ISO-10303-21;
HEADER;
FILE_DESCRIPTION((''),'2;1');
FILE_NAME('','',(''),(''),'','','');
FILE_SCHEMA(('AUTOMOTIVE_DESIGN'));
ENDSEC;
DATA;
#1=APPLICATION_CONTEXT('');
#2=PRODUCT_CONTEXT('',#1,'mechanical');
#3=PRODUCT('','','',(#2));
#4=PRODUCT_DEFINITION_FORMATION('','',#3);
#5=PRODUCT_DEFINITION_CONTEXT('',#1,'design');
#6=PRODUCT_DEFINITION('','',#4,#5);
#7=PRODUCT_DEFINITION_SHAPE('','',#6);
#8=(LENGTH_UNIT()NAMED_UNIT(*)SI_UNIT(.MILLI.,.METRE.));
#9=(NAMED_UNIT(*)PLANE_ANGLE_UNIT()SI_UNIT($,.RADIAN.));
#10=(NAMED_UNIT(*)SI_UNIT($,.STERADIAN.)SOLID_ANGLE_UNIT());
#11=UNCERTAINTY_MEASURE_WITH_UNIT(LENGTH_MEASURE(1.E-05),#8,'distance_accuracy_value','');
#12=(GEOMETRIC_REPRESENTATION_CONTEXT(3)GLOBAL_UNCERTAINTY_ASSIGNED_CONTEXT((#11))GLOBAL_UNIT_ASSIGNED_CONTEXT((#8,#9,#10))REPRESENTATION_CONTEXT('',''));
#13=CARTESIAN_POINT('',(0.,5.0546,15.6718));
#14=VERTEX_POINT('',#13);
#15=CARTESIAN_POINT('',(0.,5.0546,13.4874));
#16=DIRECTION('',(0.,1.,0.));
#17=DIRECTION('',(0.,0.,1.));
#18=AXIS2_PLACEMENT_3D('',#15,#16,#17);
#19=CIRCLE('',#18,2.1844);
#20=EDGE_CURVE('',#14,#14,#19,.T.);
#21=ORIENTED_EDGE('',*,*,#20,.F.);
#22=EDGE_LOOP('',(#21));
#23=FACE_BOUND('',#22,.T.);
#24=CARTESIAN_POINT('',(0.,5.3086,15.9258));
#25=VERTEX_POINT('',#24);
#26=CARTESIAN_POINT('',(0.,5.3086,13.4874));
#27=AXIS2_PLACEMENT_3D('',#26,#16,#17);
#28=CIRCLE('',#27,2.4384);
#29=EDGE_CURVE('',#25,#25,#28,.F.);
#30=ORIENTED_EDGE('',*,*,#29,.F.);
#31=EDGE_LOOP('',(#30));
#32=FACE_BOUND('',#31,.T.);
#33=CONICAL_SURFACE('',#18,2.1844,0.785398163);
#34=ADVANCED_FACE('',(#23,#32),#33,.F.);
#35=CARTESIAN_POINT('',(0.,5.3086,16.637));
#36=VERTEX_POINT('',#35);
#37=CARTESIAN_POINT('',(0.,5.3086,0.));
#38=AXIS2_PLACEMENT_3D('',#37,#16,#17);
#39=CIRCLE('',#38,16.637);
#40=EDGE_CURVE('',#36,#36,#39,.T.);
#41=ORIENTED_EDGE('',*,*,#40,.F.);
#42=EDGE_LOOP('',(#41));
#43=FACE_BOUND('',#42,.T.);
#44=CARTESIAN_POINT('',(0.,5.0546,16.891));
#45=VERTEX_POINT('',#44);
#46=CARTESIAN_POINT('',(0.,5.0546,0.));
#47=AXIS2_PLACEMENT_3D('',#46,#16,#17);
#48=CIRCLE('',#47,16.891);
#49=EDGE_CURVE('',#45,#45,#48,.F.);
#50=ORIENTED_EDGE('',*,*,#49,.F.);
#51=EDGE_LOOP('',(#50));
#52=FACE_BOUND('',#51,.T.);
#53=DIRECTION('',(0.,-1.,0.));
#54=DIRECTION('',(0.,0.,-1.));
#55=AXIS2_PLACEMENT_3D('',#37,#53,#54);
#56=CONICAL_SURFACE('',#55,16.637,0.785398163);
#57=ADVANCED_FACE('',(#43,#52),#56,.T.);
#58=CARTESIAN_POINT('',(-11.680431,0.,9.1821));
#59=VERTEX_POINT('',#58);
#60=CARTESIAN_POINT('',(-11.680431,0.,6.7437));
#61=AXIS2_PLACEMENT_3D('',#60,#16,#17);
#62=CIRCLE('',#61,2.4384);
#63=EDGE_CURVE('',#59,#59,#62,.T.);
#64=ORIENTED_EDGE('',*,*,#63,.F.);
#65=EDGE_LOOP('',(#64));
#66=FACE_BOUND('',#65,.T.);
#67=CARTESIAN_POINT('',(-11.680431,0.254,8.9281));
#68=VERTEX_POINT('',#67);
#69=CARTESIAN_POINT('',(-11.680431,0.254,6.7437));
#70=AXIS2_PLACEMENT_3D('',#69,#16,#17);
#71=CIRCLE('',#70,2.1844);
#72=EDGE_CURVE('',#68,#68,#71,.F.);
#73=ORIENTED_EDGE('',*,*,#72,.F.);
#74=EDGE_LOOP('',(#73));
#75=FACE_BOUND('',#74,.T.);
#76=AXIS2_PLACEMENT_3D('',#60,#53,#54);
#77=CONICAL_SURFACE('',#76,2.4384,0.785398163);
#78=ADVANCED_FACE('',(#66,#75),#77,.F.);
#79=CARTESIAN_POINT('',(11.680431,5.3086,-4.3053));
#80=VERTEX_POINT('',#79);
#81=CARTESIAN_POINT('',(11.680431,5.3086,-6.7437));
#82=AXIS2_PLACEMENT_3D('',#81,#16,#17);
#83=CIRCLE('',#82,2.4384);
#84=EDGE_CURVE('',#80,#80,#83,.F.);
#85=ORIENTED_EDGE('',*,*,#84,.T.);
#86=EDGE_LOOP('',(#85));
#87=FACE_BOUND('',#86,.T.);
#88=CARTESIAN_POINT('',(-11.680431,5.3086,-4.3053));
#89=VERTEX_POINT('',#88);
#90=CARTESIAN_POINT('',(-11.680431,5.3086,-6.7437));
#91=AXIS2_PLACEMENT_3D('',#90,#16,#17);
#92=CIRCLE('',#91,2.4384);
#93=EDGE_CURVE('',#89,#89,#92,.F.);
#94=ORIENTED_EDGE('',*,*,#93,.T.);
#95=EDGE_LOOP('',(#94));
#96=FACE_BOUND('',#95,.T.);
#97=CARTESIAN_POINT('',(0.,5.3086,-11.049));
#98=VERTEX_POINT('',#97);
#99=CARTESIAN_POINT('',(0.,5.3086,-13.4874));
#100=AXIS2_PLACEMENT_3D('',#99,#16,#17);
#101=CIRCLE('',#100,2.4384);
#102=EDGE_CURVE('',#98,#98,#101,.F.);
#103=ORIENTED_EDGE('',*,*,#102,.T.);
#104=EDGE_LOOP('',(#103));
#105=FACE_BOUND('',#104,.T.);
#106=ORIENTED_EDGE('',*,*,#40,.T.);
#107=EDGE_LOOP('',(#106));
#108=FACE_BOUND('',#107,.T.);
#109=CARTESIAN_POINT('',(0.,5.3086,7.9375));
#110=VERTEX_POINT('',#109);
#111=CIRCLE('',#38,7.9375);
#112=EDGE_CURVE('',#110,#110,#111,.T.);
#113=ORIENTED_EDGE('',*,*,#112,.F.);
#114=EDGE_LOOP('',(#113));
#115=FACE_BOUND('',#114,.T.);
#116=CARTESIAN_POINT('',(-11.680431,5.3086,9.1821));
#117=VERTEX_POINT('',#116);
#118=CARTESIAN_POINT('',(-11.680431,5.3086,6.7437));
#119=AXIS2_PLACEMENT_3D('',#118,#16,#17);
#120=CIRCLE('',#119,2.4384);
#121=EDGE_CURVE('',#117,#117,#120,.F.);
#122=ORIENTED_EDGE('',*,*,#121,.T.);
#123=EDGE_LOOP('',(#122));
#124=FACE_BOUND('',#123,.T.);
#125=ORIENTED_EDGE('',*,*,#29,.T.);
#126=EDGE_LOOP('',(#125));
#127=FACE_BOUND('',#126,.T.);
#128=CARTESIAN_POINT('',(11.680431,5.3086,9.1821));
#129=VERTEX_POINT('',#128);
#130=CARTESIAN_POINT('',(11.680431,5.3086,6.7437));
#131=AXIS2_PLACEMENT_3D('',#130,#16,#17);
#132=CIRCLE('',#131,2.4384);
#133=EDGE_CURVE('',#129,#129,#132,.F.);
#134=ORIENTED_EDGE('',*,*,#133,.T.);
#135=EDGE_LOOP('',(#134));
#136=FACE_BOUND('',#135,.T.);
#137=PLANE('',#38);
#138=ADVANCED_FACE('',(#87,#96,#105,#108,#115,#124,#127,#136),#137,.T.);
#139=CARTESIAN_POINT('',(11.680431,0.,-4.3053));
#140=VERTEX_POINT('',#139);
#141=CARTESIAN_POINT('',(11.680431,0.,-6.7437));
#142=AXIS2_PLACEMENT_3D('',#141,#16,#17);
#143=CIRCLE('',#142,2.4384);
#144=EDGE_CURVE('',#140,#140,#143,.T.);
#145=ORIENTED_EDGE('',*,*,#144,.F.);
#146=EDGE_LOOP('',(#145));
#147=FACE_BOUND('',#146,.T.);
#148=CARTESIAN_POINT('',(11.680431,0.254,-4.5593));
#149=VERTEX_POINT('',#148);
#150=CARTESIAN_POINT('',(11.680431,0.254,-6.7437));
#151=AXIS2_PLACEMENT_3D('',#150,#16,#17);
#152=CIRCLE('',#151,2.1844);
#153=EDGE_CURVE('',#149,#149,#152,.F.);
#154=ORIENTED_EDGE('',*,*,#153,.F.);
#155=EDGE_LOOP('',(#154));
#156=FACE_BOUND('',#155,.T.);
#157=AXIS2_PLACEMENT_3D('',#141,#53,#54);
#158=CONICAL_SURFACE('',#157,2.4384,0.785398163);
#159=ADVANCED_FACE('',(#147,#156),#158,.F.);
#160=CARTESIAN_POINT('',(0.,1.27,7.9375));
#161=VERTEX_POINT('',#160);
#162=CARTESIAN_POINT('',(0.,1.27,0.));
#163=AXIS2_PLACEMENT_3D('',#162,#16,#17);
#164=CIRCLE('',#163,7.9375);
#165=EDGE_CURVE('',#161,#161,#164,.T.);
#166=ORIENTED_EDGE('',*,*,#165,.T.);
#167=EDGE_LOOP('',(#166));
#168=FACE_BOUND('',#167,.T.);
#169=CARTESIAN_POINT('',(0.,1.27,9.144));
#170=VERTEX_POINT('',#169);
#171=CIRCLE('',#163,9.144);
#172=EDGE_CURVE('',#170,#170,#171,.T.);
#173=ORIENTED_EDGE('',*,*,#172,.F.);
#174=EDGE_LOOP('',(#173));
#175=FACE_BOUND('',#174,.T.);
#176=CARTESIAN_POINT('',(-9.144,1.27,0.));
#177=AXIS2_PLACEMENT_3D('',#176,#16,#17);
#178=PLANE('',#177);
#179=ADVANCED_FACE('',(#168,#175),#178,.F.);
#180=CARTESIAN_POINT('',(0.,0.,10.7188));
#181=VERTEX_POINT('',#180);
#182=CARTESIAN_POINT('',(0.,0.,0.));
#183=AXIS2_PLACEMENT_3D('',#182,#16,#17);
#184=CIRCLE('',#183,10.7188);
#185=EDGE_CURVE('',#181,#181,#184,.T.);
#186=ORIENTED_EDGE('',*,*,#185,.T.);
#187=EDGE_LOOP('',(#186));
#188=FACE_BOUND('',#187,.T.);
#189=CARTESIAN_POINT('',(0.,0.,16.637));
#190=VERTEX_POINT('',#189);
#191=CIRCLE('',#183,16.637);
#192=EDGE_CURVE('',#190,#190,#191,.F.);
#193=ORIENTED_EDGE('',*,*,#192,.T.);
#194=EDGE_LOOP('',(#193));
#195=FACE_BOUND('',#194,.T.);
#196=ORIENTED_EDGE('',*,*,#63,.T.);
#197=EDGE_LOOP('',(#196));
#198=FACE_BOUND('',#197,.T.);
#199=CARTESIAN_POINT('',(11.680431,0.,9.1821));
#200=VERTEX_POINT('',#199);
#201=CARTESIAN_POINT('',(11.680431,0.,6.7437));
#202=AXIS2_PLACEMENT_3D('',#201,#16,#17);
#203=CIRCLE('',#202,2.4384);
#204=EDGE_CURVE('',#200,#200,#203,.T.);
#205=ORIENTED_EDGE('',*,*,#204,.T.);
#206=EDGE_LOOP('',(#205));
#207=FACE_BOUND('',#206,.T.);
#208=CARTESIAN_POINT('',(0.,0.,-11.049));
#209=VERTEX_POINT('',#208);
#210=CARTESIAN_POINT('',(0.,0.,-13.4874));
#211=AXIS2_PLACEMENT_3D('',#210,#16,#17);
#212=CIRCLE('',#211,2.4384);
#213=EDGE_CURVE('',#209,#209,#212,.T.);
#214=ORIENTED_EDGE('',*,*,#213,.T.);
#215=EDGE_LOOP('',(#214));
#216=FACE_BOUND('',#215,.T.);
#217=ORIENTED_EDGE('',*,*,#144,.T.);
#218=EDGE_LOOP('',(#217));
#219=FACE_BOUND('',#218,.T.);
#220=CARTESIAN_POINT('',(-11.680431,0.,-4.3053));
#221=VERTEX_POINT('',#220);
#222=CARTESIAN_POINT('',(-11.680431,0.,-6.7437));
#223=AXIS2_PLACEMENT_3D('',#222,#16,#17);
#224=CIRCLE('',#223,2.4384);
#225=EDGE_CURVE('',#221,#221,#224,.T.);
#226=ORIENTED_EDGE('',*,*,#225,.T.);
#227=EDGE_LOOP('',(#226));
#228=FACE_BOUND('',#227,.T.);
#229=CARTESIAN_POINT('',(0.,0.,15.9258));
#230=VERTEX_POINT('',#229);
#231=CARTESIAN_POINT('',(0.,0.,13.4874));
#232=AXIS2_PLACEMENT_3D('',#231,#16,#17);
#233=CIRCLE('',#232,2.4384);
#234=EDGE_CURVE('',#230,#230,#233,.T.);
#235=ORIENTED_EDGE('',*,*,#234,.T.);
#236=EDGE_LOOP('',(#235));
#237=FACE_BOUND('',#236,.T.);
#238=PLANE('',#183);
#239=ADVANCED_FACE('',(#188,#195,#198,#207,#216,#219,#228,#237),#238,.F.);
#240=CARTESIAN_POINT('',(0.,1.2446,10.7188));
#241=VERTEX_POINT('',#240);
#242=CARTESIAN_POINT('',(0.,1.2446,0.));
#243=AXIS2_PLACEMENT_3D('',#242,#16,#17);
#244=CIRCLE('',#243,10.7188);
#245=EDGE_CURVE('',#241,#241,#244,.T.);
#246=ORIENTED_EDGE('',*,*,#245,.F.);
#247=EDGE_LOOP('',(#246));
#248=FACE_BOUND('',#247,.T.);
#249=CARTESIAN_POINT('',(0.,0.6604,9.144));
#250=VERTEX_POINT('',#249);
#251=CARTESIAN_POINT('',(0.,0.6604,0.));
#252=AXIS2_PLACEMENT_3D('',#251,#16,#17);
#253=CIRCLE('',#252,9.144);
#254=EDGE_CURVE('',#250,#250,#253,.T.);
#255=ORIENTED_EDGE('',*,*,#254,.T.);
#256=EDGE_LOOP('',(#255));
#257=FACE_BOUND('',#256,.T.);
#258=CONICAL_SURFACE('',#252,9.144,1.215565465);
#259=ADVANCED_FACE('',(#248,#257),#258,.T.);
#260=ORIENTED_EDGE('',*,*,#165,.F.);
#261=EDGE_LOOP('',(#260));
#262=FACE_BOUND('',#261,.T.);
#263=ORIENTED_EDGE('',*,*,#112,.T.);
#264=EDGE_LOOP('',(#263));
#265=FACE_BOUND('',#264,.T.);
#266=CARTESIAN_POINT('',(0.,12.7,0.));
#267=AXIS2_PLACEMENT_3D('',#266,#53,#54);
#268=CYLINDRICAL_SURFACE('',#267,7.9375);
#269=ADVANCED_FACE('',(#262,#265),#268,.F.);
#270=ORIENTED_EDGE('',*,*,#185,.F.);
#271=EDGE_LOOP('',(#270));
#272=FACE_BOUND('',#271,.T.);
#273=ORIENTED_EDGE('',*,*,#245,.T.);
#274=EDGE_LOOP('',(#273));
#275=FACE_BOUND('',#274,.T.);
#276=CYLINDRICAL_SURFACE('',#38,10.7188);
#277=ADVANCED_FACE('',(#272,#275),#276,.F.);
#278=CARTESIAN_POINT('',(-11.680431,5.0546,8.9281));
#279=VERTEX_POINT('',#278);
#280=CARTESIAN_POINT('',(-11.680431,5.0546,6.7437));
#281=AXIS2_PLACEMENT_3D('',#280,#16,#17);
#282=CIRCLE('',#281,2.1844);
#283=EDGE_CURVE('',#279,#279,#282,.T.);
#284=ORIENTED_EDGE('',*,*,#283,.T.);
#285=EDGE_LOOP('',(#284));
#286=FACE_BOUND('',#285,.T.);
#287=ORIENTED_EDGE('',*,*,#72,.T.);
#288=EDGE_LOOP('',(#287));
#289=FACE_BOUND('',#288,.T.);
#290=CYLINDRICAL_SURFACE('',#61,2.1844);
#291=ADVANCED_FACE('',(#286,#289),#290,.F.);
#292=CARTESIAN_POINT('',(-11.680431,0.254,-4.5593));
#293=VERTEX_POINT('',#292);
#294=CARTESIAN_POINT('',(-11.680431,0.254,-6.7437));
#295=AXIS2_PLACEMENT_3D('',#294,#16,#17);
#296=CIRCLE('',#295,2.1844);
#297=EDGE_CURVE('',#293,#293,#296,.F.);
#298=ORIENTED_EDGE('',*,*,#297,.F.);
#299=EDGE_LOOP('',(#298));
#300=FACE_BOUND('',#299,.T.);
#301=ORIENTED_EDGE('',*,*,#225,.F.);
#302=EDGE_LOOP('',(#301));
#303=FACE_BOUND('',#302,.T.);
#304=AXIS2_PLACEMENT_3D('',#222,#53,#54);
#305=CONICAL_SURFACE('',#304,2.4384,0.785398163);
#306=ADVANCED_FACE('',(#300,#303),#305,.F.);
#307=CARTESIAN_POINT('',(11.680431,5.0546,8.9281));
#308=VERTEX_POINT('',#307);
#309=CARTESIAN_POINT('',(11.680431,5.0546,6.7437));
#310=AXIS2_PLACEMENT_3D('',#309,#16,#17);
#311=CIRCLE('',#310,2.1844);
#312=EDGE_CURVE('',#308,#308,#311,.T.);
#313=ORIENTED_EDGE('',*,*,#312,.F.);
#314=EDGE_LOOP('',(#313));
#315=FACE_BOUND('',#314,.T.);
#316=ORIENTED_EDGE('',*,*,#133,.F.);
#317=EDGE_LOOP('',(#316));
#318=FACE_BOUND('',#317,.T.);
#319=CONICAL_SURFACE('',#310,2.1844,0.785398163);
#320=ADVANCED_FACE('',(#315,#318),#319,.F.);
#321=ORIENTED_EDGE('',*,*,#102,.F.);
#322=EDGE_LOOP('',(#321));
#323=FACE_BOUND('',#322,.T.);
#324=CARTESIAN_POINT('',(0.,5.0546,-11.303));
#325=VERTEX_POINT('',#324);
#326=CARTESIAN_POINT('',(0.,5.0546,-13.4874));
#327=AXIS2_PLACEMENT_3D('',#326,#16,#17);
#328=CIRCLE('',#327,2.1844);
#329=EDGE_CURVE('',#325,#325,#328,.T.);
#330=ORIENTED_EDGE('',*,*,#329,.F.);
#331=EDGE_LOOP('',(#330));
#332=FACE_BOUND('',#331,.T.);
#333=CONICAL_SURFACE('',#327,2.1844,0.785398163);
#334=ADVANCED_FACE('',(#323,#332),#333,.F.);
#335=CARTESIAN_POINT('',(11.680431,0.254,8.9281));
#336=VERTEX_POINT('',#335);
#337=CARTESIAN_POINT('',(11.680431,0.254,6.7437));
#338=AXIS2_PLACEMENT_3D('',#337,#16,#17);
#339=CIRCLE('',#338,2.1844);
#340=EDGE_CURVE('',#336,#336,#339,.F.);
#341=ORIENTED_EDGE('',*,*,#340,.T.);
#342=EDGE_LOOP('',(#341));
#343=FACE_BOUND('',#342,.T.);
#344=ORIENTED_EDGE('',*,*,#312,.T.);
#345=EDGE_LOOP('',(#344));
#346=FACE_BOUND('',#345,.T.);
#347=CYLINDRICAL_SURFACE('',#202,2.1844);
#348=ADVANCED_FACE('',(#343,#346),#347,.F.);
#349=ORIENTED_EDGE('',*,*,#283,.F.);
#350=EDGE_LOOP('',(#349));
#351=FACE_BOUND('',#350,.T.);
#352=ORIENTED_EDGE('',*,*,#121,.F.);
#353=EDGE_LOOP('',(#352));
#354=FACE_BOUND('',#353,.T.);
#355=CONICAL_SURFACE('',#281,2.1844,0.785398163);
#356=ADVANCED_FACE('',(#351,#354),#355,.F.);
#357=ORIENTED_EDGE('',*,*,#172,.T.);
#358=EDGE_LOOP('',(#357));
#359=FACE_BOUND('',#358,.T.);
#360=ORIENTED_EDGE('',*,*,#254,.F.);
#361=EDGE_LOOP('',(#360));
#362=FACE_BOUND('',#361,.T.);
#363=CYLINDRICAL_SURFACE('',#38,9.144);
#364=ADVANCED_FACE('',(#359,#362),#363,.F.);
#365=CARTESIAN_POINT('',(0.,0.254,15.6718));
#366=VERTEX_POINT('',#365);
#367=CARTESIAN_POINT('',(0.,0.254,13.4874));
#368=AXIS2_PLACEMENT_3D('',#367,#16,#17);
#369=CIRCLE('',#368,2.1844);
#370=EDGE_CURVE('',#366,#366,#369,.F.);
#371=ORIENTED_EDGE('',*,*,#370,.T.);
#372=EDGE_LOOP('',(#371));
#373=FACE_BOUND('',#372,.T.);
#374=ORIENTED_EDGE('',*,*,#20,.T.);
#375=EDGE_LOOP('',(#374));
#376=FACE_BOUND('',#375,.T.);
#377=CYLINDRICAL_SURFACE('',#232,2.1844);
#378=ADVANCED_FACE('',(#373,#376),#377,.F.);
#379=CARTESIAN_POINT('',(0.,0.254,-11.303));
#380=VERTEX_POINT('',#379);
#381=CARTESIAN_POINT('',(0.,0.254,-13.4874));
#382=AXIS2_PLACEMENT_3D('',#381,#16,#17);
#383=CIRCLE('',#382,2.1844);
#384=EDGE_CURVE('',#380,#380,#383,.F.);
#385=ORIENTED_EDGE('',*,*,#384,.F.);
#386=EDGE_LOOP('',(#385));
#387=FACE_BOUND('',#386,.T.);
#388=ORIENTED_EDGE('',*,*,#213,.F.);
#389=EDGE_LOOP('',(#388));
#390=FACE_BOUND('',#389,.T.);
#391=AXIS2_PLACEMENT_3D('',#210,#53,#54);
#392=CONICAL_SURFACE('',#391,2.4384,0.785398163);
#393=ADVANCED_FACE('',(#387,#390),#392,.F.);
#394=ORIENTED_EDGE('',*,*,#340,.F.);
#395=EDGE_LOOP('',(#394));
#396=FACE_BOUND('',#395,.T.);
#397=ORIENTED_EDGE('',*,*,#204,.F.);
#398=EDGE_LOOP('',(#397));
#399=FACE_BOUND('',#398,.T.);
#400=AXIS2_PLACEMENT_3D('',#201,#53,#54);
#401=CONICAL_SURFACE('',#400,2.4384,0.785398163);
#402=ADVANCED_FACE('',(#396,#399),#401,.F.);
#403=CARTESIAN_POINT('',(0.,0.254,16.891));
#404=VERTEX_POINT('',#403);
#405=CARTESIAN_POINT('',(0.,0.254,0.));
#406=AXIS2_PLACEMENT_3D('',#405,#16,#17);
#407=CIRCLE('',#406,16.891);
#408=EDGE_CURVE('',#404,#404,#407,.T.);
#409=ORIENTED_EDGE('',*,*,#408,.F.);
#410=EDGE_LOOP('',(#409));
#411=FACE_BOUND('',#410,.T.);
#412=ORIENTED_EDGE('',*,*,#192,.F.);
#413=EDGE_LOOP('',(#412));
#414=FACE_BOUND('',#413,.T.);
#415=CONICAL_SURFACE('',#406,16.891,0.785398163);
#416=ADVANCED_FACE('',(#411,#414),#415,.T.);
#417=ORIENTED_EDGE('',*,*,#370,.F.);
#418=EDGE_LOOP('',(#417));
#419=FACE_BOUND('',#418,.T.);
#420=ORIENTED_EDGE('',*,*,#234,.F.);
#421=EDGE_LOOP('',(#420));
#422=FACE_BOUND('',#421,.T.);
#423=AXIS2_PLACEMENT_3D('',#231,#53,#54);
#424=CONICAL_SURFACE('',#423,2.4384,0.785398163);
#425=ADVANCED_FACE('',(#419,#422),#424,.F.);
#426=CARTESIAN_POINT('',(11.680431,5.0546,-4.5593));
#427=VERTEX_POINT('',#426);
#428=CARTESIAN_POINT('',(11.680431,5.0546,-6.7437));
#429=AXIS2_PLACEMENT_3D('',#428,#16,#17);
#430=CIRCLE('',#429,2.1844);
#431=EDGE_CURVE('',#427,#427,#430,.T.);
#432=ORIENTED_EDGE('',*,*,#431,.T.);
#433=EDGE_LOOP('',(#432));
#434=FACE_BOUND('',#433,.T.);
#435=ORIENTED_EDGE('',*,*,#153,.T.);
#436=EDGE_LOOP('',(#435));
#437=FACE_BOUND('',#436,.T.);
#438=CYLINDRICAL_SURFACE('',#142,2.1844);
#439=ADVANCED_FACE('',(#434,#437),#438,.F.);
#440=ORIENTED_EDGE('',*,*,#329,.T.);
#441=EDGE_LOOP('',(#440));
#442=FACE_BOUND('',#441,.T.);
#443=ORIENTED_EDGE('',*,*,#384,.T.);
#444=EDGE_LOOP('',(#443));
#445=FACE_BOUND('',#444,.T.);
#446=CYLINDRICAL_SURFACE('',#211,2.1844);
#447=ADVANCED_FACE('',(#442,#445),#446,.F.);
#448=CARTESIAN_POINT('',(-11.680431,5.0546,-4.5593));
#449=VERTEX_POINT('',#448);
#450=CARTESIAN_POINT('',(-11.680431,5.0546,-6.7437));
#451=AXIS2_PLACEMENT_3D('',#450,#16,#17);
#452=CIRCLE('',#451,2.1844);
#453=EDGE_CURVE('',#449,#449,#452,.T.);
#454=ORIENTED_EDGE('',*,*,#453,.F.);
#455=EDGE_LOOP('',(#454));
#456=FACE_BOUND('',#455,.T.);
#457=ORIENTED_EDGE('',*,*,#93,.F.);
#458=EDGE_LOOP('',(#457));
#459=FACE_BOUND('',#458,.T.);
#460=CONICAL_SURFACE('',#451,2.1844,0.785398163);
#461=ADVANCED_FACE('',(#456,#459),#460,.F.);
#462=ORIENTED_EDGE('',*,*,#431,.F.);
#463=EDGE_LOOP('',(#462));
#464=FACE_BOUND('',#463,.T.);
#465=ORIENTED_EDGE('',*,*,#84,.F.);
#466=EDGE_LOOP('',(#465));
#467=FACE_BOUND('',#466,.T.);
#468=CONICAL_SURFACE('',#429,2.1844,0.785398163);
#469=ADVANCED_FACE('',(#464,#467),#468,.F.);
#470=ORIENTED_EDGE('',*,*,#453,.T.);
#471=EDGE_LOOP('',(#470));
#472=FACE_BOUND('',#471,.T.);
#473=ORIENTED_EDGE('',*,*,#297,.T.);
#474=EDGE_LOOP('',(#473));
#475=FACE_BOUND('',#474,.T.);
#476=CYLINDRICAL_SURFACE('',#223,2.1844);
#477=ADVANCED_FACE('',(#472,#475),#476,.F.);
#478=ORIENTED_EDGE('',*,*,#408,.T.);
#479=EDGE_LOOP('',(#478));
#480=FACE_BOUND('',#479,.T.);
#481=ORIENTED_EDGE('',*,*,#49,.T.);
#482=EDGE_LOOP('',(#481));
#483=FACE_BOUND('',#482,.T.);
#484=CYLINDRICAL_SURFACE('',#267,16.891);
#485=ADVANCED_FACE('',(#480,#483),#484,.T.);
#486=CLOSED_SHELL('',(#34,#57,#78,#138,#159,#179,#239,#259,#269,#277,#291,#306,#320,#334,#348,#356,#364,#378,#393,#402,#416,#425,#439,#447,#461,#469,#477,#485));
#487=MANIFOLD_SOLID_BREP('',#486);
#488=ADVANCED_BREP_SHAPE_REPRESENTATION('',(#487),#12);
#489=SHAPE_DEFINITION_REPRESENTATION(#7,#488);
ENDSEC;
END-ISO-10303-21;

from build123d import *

# Parameters (mm, degrees)
SKETCH1_R                    = 16.891
SKETCH1_R_2                  = 7.9375
BOSS_EXTRUDE1_DEPTH          = 12.7
SKETCH2_R                    = 20.6375
CUT_EXTRUDE1_DEPTH           = 7.3914
CHAMFER1_SIZE                = 0.254
SKETCH4_R                    = 2.1844
CUT_EXTRUDE2_DEPTH           = 6.3086
CHAMFER2_SIZE                = 0.254
CIRPATTERN1_COUNT            = 6
CHAMFER2_OF_CIRPATTERN1_SIZE = 0.254


with BuildPart() as part:
    # Sketch1 → Boss-Extrude1 (new body)
    with BuildSketch(Plane(origin=(0, 0, 0), x_dir=(1, 0, 0), z_dir=(0, 1, 0))):
        Circle(SKETCH1_R)
        Circle(SKETCH1_R_2, mode=Mode.SUBTRACT)
    extrude(amount=BOSS_EXTRUDE1_DEPTH)

    # Sketch2 → Cut-Extrude1 (cut)
    with BuildSketch(Plane(origin=(0, 12.7, 0), x_dir=(1, 0, 0), z_dir=(0, 1, 0))):
        Circle(SKETCH2_R)
    extrude(amount=-CUT_EXTRUDE1_DEPTH, mode=Mode.SUBTRACT)

    # Chamfer1
    chamfer1_edges = [part.edges().sort_by_distance(p)[0] for p in [
        (-16.891, 5.3086, 0),
        (-16.891, 0, 0),
    ]]
    chamfer(chamfer1_edges, length=CHAMFER1_SIZE)

    # Sketch3 → Cut-Revolve1 (revolve, cut)
    with BuildSketch(Plane.XY):
        Polygon((-10.7188, 0), (-10.7188, 1.2446), (-9.144, 0.6604), (-9.144, 1.27), (0, 1.27), (0, 0), align=None)
    revolve(axis=Axis((0, 12.7, 0), (0, -1, 0)), mode=Mode.SUBTRACT)

    # Sketch4 → Cut-Extrude2 (cut, through all)
    with BuildSketch(Plane(origin=(0, 5.3086, 0), x_dir=(1, 0, 0), z_dir=(0, 1, 0))):
        with Locations((0, 13.4874)):
            Circle(SKETCH4_R)
    cut_extrude2 = extrude(amount=-CUT_EXTRUDE2_DEPTH, mode=Mode.SUBTRACT)

    # Chamfer2
    chamfer2_edges = [part.edges().sort_by_distance(p)[0] for p in [
        (-2.1844, 0, -13.4874),
        (-2.1844, 5.3086, -13.4874),
    ]]
    chamfer(chamfer2_edges, length=CHAMFER2_SIZE)

    # CirPattern1: Cut-Extrude2 ×6 about axis
    cirpattern1_axis = Axis((0, 0, 0), (0, 1, 0))
    for i in range(1, CIRPATTERN1_COUNT):
        add(cut_extrude2.rotate(cirpattern1_axis, i * 360 / CIRPATTERN1_COUNT), mode=Mode.SUBTRACT)

    # Chamfer2 of CirPattern1
    chamfer2_of_cirpattern1_edges = [part.edges().sort_by_distance(p)[0] for p in [
        (-12.772631031, 0, -4.851954108),
        (-12.772631031, 5.3086, -4.851954108),
        (-10.588231031, 0, 8.635445892),
        (-10.588231031, 5.3086, 8.635445892),
        (2.1844, 0, 13.4874),
        (2.1844, 5.3086, 13.4874),
        (12.772631031, 0, 4.851954108),
        (12.772631031, 5.3086, 4.851954108),
        (10.588231031, 0, -8.635445892),
        (10.588231031, 5.3086, -8.635445892),
    ]]
    chamfer(chamfer2_of_cirpattern1_edges, length=CHAMFER2_OF_CIRPATTERN1_SIZE)


solid = part.part
